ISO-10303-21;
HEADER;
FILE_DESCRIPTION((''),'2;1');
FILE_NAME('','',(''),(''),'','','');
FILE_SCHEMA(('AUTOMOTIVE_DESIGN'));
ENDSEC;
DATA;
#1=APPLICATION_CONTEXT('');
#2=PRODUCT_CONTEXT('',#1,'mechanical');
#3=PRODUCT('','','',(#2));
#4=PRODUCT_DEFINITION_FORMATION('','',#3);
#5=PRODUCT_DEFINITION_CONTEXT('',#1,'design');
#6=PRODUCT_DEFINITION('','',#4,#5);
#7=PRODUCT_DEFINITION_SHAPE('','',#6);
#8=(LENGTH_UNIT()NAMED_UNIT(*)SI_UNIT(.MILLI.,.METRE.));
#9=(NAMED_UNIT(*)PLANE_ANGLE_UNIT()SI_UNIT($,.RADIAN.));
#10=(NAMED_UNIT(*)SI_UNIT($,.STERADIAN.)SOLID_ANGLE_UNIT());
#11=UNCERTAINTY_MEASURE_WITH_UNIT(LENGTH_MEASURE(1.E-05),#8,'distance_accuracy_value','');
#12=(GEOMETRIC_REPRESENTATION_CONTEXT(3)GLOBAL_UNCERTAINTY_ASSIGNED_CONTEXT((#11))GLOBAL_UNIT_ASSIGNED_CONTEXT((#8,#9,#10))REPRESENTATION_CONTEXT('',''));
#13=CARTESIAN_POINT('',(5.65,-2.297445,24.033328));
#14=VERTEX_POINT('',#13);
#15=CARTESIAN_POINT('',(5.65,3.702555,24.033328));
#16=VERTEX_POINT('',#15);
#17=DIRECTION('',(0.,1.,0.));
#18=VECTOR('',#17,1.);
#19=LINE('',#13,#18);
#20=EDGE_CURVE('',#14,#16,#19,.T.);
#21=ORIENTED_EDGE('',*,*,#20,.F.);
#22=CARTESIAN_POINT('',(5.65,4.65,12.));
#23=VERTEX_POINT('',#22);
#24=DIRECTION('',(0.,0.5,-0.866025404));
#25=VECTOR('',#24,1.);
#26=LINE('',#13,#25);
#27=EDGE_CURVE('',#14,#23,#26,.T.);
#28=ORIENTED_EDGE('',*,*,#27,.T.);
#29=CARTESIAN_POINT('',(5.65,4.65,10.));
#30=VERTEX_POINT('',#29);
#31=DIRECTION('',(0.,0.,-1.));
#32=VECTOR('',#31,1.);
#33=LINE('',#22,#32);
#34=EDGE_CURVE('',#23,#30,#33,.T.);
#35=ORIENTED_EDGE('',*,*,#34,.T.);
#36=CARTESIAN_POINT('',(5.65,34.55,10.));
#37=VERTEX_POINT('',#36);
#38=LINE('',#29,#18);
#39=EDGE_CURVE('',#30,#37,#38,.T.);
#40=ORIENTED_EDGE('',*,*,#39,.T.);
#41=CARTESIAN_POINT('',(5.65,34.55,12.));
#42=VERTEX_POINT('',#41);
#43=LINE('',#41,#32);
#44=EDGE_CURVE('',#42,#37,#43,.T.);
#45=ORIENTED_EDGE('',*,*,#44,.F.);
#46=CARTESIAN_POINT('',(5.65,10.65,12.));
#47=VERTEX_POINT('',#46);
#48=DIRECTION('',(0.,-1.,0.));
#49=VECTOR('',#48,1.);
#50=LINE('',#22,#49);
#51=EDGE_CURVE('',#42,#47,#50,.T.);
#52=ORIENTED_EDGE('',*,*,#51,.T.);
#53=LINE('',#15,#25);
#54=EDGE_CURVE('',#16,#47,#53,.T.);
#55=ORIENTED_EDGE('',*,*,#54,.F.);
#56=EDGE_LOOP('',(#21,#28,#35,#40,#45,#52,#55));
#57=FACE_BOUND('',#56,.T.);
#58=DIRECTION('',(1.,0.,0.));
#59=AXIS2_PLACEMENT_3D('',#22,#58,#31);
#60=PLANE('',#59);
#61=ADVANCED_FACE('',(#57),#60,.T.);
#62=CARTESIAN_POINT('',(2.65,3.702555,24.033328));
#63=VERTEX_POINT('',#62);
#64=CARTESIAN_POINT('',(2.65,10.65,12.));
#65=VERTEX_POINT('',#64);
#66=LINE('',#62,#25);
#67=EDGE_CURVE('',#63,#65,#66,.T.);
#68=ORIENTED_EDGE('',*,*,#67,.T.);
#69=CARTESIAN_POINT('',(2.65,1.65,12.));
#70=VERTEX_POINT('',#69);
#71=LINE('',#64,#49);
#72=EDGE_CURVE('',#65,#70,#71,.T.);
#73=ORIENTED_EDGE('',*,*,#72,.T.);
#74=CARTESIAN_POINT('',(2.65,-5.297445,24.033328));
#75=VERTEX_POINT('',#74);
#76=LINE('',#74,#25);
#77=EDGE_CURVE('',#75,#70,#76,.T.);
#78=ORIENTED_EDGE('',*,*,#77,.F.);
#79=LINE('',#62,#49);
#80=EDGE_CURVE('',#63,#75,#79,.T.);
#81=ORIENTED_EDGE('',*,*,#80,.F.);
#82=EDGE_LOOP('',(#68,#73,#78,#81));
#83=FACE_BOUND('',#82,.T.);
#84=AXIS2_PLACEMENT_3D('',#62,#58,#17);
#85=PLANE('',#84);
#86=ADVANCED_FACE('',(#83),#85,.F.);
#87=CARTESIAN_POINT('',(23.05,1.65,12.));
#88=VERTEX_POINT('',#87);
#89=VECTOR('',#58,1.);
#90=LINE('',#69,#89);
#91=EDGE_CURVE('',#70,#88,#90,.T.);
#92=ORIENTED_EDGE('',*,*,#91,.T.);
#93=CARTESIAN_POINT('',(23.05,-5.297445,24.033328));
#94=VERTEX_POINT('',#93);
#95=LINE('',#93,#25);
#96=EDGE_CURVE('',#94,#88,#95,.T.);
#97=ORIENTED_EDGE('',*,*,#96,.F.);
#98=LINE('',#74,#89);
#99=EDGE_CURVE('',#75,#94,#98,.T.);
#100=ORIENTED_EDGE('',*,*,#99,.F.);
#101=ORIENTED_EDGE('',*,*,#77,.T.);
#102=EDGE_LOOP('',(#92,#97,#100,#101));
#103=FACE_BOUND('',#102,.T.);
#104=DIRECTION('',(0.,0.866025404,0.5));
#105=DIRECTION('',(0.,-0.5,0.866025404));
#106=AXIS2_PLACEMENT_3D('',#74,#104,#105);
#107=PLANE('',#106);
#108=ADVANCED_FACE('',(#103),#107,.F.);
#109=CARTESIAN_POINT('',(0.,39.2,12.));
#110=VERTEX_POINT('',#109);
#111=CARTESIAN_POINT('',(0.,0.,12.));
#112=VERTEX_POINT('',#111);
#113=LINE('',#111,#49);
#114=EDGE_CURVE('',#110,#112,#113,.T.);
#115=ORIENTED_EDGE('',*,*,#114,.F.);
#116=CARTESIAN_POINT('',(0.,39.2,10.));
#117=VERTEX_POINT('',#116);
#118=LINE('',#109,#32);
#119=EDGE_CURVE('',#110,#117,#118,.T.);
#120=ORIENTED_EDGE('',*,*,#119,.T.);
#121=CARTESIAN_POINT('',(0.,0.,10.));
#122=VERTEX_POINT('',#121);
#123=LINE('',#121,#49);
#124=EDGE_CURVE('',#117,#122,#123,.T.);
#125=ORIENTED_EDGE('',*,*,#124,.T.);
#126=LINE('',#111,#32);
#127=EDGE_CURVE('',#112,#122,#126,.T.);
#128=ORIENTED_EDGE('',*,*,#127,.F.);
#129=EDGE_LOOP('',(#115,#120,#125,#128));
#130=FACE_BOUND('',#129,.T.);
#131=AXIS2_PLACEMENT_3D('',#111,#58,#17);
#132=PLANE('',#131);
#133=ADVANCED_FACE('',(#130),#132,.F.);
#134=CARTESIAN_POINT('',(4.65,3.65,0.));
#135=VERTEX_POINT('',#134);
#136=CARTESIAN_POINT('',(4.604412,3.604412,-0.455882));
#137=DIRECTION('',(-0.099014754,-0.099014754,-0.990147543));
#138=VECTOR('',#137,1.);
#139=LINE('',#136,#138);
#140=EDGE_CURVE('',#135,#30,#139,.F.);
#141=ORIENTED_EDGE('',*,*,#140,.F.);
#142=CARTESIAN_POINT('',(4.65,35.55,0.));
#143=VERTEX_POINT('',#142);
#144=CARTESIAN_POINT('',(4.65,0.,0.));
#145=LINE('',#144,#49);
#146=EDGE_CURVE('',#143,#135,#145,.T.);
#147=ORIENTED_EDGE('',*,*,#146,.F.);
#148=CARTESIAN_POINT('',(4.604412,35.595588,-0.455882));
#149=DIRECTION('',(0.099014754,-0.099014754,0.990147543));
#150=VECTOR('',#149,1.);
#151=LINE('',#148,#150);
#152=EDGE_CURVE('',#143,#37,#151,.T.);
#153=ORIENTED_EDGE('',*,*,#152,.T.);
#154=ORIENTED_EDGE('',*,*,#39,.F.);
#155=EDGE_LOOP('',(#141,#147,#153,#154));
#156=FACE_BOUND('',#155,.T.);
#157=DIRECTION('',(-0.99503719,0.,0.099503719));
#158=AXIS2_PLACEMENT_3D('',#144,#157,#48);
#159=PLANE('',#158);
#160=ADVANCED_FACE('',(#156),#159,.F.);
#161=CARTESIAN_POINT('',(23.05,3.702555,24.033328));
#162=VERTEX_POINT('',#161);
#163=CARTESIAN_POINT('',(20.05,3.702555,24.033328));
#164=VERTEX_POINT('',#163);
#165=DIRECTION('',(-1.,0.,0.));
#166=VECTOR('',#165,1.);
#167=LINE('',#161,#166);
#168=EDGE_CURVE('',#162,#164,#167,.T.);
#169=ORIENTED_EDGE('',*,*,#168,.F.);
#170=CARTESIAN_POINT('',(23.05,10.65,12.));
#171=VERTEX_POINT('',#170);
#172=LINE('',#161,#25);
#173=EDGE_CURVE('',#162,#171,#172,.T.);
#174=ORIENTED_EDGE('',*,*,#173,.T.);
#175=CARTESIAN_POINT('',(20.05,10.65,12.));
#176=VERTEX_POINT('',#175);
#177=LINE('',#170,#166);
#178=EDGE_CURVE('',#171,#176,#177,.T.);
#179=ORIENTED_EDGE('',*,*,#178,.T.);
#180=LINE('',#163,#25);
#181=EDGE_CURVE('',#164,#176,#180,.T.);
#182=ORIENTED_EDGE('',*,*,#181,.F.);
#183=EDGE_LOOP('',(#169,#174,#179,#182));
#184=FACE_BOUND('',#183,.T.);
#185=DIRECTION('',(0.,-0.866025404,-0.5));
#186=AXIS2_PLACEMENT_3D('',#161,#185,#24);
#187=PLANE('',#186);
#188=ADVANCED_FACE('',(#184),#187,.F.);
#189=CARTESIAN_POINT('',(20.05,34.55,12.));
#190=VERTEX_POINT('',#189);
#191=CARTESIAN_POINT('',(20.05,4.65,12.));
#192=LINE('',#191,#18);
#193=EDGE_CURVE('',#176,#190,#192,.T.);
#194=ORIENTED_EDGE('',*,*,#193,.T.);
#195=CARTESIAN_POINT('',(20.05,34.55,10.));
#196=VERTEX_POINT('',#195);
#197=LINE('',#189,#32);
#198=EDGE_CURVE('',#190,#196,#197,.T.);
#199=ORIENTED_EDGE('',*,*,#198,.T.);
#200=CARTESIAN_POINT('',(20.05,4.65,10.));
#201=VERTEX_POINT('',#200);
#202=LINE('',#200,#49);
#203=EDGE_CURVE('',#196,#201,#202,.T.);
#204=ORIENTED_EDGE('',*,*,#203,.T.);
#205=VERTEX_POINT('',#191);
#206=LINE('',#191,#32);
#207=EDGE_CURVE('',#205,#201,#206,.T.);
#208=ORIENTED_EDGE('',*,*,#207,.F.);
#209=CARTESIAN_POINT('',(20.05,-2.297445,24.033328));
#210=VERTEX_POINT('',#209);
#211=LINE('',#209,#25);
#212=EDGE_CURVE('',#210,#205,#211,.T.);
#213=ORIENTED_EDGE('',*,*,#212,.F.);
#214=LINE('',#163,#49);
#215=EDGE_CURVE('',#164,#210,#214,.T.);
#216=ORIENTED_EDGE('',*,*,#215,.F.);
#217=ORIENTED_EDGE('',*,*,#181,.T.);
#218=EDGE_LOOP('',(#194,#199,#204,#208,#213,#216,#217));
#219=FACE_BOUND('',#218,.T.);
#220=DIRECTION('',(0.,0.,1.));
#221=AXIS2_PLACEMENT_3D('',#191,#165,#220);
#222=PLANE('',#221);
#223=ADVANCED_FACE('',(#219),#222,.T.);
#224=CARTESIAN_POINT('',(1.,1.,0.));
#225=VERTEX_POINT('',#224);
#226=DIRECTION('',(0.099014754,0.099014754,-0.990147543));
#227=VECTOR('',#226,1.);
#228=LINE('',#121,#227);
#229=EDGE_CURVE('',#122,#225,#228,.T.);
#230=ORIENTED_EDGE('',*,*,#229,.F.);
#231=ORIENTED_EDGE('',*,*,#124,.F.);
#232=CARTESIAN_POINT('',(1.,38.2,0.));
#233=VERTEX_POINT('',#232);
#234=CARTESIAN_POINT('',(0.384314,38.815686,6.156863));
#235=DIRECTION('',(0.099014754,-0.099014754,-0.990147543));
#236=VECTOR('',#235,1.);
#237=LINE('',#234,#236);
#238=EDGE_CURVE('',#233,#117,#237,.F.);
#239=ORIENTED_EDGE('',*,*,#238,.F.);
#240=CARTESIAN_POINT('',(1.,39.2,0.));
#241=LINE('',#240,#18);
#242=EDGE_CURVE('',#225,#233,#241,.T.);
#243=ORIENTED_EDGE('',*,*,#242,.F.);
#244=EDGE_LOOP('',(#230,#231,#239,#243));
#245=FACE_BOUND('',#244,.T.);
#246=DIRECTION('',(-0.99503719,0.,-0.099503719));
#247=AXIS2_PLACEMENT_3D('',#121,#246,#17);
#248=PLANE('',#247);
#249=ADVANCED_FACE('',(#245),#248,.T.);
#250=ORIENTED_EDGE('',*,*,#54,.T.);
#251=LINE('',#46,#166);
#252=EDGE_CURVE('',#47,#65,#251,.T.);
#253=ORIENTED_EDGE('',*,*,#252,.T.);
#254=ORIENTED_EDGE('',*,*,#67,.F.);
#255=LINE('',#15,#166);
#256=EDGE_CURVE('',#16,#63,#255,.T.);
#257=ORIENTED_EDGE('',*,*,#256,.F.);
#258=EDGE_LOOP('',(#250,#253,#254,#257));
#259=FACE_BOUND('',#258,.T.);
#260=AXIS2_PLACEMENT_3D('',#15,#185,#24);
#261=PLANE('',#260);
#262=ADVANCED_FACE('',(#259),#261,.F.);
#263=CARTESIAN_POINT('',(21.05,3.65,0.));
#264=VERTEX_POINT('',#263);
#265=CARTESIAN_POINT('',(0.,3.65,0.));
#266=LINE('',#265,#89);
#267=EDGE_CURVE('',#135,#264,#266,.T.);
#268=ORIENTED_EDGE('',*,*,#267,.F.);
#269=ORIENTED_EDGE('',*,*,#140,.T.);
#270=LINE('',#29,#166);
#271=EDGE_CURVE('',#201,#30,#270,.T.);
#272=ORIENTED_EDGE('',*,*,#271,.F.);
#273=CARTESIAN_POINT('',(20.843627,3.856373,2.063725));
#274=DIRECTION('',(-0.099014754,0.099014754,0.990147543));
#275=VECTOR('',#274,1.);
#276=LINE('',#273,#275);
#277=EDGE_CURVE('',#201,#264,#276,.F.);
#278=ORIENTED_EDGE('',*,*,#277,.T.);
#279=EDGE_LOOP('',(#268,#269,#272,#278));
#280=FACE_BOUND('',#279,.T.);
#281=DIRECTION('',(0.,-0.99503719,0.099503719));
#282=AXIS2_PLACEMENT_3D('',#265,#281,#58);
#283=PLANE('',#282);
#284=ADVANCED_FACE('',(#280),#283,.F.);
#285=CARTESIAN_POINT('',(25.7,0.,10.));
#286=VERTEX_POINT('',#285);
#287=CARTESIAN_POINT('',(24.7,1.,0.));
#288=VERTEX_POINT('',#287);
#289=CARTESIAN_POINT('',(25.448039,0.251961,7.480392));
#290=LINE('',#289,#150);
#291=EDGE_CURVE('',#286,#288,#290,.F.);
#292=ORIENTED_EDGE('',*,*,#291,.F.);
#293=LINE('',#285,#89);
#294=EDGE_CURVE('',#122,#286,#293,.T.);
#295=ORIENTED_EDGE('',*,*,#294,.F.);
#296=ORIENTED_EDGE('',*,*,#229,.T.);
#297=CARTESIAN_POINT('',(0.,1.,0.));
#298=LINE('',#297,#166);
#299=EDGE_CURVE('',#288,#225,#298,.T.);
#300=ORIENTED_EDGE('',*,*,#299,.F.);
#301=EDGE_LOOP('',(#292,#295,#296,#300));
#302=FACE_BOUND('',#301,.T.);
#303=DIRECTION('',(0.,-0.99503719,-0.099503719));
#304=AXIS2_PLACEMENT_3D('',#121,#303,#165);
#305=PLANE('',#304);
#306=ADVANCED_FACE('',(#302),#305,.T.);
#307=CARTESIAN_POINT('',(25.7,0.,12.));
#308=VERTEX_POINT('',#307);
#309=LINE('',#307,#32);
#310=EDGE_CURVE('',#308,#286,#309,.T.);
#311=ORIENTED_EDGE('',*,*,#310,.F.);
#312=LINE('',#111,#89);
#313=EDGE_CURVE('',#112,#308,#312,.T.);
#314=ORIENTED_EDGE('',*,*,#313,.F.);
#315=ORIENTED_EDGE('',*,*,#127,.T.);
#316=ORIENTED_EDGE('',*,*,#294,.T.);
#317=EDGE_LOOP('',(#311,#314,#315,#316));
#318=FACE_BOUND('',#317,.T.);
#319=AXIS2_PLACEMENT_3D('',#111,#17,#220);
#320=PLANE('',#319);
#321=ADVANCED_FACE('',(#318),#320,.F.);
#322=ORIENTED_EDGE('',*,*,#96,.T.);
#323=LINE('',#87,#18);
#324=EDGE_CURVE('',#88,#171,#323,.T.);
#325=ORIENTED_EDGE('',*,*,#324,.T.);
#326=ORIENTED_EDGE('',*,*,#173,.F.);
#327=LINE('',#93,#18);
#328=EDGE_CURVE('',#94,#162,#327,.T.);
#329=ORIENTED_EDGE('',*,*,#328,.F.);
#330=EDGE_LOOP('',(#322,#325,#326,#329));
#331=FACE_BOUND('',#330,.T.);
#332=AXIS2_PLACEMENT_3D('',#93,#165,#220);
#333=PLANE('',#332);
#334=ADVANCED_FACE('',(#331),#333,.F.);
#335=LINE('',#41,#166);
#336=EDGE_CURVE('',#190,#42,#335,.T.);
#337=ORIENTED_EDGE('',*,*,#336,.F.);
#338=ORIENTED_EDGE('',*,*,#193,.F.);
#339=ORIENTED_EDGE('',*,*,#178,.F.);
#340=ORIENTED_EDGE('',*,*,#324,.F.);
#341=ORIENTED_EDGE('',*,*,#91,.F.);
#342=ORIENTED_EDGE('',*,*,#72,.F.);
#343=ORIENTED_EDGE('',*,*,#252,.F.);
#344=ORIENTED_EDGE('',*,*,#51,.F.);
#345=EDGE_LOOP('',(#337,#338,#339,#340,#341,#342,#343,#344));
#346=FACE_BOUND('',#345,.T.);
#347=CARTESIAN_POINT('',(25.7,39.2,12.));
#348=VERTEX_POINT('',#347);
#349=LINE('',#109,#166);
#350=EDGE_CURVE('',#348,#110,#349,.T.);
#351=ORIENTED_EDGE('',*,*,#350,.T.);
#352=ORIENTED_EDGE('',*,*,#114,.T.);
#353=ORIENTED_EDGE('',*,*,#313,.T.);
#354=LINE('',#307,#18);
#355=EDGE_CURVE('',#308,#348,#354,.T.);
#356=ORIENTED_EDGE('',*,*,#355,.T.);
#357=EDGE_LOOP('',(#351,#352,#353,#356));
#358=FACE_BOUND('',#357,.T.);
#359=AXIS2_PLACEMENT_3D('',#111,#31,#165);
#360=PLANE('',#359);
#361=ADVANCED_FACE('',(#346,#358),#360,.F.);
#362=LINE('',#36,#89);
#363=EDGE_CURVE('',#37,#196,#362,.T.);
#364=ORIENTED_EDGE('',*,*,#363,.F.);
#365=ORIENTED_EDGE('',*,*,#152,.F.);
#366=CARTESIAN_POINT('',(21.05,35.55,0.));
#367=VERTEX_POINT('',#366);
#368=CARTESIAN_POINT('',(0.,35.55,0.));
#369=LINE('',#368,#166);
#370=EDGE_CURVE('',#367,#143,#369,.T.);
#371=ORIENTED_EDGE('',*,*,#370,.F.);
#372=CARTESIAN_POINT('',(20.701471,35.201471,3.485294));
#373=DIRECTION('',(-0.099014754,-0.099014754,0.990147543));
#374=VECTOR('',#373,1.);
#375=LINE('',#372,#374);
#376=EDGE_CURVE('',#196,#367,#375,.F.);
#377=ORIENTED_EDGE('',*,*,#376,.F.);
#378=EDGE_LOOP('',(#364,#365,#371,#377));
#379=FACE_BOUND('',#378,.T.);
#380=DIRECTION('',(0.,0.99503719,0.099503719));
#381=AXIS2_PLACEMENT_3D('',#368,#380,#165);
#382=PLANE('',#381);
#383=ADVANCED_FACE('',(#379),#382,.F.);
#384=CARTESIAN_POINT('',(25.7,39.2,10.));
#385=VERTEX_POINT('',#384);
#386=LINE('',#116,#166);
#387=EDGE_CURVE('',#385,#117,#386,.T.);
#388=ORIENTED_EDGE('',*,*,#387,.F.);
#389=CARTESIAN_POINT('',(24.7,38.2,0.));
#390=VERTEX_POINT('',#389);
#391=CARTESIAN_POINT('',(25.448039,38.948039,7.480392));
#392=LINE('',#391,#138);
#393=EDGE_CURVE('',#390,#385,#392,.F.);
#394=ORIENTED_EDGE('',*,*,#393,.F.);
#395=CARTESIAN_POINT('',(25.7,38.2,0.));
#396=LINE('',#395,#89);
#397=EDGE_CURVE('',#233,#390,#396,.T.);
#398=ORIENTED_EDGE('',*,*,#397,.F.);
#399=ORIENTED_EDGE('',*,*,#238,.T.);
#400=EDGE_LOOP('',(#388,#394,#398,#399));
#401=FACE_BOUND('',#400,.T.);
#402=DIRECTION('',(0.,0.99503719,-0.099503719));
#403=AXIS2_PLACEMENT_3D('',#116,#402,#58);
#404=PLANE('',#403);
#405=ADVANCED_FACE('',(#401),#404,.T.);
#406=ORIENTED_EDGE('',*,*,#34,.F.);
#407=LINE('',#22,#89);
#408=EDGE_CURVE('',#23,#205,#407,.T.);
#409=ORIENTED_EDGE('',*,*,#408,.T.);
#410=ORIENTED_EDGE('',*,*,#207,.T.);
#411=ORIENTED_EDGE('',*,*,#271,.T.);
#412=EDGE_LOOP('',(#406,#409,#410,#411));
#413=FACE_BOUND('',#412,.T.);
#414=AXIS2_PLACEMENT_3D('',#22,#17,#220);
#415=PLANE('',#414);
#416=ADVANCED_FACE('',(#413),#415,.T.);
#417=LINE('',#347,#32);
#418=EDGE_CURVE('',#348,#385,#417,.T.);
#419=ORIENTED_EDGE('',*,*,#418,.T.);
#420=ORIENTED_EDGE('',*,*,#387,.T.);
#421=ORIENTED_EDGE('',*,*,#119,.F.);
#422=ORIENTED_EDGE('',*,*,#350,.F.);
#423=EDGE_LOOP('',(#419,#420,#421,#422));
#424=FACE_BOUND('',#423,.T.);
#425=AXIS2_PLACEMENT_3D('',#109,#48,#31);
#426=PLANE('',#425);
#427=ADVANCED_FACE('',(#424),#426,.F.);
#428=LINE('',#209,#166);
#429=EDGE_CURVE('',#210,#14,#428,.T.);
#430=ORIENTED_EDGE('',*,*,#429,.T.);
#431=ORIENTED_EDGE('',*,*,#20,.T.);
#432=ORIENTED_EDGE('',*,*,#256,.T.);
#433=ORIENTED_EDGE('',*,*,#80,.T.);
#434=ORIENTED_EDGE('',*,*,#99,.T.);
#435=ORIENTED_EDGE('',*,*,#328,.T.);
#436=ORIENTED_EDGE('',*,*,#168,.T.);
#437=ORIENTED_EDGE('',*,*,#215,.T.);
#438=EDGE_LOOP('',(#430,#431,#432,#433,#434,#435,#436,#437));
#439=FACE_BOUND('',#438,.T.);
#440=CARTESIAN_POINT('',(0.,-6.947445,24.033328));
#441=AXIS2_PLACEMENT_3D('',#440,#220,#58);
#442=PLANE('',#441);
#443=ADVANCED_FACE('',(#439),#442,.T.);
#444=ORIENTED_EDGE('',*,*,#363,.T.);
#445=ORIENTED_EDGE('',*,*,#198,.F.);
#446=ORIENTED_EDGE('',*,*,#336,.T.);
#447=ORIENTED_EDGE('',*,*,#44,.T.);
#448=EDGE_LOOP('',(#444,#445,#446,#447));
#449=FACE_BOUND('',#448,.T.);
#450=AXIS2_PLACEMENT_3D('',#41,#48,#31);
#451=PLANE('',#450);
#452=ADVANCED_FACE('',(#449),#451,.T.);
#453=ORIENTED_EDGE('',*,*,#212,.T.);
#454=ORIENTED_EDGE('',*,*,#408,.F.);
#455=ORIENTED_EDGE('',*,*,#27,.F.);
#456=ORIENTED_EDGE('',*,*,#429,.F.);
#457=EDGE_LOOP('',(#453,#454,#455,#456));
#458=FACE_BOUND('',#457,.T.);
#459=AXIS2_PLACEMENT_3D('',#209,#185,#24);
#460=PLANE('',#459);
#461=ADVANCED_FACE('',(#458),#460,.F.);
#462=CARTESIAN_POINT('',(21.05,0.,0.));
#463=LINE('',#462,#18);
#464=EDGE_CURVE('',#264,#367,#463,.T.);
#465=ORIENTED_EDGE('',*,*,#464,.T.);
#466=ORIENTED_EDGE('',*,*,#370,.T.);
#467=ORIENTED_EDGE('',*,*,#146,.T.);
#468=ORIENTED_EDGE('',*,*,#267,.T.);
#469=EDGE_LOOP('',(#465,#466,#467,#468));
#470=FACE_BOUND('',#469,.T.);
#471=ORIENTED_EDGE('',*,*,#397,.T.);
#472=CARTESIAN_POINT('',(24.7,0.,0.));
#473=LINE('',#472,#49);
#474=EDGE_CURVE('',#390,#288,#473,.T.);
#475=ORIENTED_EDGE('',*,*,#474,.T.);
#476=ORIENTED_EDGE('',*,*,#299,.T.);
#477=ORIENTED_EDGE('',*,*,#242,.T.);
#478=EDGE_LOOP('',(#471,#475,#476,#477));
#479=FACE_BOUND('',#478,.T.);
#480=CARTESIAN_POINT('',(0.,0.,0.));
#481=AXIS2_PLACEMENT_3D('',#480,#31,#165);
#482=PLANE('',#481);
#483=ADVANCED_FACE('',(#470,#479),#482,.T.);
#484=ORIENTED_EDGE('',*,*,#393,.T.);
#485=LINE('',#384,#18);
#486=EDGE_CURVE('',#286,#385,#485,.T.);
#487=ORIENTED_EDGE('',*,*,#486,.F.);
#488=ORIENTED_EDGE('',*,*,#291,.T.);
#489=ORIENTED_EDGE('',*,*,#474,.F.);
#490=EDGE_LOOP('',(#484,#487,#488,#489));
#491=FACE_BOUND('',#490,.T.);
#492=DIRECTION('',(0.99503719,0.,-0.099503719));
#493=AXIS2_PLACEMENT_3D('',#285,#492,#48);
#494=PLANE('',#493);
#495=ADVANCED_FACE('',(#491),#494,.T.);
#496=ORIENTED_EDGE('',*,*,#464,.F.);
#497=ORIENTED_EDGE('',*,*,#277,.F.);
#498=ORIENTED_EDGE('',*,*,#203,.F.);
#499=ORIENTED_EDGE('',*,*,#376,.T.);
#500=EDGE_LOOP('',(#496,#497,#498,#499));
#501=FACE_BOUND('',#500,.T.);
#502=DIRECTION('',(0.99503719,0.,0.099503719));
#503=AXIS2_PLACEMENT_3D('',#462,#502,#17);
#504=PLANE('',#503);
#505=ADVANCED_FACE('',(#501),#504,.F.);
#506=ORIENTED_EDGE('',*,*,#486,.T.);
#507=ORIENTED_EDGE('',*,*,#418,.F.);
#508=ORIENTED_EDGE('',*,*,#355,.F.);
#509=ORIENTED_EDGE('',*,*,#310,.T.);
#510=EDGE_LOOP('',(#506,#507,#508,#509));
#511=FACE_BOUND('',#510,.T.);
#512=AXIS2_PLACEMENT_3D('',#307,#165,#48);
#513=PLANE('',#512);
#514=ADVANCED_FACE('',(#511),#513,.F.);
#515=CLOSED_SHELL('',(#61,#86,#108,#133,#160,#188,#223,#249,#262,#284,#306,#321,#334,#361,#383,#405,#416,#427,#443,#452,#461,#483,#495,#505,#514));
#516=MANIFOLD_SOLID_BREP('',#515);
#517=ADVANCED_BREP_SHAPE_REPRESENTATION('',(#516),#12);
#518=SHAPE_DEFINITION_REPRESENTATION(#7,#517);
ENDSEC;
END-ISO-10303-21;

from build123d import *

# Parameters (mm, degrees)
SKETCH3_W           = 25.7
SKETCH3_H           = 39.2
SKETCH3_W_2         = 14.4
SKETCH3_H_2         = 29.9
BOSS_EXTRUDE2_DEPTH = 12
CHAMFER1_SIZE       = 1
CHAMFER1_SIZE2      = 10


with BuildPart() as part:
    # Sketch3 → Boss-Extrude2 (new body)
    with BuildSketch(Plane.XY):
        with Locations((12.85, 19.6)):
            Rectangle(SKETCH3_W, SKETCH3_H)
        with Locations((12.85, 19.6)):
            Rectangle(SKETCH3_W_2, SKETCH3_H_2, mode=Mode.SUBTRACT)
    extrude(amount=BOSS_EXTRUDE2_DEPTH)

    # Chamfer1
    chamfer1_edges = [part.edges().sort_by_distance(p)[0] for p in [
        (5.65, 19.6, 0),
        (12.85, 4.65, 0),
        (20.05, 19.6, 0),
        (12.85, 34.55, 0),
        (12.85, 39.2, 0),
        (25.7, 19.6, 0),
        (12.85, 0, 0),
        (0, 19.6, 0),
    ]]
    chamfer1_side = [part.faces().sort_by_distance(p)[0] for p in [
        (12.85, 0.468735533, 0),
    ]]
    chamfer(chamfer1_edges, length=CHAMFER1_SIZE, length2=CHAMFER1_SIZE2, reference=chamfer1_side[0])

    # Sweep1: sweep along a path in Sketch6
    with BuildLine(Plane.ZY.offset(-12.85)) as sweep1_path:
        Line((12, 4.65), (24.033327649, -2.297444957))
    # Sketch4 → Sweep1 (sweep)
    with BuildSketch(Plane.XY.offset(12)):
        Polygon((5.65, 10.65), (2.65, 10.65), (2.65, 1.65), (23.05, 1.65), (23.05, 10.65), (20.05, 10.65), (20.05, 4.65), (5.65, 4.65), align=None)
    sweep(path=sweep1_path.line)


solid = part.part
